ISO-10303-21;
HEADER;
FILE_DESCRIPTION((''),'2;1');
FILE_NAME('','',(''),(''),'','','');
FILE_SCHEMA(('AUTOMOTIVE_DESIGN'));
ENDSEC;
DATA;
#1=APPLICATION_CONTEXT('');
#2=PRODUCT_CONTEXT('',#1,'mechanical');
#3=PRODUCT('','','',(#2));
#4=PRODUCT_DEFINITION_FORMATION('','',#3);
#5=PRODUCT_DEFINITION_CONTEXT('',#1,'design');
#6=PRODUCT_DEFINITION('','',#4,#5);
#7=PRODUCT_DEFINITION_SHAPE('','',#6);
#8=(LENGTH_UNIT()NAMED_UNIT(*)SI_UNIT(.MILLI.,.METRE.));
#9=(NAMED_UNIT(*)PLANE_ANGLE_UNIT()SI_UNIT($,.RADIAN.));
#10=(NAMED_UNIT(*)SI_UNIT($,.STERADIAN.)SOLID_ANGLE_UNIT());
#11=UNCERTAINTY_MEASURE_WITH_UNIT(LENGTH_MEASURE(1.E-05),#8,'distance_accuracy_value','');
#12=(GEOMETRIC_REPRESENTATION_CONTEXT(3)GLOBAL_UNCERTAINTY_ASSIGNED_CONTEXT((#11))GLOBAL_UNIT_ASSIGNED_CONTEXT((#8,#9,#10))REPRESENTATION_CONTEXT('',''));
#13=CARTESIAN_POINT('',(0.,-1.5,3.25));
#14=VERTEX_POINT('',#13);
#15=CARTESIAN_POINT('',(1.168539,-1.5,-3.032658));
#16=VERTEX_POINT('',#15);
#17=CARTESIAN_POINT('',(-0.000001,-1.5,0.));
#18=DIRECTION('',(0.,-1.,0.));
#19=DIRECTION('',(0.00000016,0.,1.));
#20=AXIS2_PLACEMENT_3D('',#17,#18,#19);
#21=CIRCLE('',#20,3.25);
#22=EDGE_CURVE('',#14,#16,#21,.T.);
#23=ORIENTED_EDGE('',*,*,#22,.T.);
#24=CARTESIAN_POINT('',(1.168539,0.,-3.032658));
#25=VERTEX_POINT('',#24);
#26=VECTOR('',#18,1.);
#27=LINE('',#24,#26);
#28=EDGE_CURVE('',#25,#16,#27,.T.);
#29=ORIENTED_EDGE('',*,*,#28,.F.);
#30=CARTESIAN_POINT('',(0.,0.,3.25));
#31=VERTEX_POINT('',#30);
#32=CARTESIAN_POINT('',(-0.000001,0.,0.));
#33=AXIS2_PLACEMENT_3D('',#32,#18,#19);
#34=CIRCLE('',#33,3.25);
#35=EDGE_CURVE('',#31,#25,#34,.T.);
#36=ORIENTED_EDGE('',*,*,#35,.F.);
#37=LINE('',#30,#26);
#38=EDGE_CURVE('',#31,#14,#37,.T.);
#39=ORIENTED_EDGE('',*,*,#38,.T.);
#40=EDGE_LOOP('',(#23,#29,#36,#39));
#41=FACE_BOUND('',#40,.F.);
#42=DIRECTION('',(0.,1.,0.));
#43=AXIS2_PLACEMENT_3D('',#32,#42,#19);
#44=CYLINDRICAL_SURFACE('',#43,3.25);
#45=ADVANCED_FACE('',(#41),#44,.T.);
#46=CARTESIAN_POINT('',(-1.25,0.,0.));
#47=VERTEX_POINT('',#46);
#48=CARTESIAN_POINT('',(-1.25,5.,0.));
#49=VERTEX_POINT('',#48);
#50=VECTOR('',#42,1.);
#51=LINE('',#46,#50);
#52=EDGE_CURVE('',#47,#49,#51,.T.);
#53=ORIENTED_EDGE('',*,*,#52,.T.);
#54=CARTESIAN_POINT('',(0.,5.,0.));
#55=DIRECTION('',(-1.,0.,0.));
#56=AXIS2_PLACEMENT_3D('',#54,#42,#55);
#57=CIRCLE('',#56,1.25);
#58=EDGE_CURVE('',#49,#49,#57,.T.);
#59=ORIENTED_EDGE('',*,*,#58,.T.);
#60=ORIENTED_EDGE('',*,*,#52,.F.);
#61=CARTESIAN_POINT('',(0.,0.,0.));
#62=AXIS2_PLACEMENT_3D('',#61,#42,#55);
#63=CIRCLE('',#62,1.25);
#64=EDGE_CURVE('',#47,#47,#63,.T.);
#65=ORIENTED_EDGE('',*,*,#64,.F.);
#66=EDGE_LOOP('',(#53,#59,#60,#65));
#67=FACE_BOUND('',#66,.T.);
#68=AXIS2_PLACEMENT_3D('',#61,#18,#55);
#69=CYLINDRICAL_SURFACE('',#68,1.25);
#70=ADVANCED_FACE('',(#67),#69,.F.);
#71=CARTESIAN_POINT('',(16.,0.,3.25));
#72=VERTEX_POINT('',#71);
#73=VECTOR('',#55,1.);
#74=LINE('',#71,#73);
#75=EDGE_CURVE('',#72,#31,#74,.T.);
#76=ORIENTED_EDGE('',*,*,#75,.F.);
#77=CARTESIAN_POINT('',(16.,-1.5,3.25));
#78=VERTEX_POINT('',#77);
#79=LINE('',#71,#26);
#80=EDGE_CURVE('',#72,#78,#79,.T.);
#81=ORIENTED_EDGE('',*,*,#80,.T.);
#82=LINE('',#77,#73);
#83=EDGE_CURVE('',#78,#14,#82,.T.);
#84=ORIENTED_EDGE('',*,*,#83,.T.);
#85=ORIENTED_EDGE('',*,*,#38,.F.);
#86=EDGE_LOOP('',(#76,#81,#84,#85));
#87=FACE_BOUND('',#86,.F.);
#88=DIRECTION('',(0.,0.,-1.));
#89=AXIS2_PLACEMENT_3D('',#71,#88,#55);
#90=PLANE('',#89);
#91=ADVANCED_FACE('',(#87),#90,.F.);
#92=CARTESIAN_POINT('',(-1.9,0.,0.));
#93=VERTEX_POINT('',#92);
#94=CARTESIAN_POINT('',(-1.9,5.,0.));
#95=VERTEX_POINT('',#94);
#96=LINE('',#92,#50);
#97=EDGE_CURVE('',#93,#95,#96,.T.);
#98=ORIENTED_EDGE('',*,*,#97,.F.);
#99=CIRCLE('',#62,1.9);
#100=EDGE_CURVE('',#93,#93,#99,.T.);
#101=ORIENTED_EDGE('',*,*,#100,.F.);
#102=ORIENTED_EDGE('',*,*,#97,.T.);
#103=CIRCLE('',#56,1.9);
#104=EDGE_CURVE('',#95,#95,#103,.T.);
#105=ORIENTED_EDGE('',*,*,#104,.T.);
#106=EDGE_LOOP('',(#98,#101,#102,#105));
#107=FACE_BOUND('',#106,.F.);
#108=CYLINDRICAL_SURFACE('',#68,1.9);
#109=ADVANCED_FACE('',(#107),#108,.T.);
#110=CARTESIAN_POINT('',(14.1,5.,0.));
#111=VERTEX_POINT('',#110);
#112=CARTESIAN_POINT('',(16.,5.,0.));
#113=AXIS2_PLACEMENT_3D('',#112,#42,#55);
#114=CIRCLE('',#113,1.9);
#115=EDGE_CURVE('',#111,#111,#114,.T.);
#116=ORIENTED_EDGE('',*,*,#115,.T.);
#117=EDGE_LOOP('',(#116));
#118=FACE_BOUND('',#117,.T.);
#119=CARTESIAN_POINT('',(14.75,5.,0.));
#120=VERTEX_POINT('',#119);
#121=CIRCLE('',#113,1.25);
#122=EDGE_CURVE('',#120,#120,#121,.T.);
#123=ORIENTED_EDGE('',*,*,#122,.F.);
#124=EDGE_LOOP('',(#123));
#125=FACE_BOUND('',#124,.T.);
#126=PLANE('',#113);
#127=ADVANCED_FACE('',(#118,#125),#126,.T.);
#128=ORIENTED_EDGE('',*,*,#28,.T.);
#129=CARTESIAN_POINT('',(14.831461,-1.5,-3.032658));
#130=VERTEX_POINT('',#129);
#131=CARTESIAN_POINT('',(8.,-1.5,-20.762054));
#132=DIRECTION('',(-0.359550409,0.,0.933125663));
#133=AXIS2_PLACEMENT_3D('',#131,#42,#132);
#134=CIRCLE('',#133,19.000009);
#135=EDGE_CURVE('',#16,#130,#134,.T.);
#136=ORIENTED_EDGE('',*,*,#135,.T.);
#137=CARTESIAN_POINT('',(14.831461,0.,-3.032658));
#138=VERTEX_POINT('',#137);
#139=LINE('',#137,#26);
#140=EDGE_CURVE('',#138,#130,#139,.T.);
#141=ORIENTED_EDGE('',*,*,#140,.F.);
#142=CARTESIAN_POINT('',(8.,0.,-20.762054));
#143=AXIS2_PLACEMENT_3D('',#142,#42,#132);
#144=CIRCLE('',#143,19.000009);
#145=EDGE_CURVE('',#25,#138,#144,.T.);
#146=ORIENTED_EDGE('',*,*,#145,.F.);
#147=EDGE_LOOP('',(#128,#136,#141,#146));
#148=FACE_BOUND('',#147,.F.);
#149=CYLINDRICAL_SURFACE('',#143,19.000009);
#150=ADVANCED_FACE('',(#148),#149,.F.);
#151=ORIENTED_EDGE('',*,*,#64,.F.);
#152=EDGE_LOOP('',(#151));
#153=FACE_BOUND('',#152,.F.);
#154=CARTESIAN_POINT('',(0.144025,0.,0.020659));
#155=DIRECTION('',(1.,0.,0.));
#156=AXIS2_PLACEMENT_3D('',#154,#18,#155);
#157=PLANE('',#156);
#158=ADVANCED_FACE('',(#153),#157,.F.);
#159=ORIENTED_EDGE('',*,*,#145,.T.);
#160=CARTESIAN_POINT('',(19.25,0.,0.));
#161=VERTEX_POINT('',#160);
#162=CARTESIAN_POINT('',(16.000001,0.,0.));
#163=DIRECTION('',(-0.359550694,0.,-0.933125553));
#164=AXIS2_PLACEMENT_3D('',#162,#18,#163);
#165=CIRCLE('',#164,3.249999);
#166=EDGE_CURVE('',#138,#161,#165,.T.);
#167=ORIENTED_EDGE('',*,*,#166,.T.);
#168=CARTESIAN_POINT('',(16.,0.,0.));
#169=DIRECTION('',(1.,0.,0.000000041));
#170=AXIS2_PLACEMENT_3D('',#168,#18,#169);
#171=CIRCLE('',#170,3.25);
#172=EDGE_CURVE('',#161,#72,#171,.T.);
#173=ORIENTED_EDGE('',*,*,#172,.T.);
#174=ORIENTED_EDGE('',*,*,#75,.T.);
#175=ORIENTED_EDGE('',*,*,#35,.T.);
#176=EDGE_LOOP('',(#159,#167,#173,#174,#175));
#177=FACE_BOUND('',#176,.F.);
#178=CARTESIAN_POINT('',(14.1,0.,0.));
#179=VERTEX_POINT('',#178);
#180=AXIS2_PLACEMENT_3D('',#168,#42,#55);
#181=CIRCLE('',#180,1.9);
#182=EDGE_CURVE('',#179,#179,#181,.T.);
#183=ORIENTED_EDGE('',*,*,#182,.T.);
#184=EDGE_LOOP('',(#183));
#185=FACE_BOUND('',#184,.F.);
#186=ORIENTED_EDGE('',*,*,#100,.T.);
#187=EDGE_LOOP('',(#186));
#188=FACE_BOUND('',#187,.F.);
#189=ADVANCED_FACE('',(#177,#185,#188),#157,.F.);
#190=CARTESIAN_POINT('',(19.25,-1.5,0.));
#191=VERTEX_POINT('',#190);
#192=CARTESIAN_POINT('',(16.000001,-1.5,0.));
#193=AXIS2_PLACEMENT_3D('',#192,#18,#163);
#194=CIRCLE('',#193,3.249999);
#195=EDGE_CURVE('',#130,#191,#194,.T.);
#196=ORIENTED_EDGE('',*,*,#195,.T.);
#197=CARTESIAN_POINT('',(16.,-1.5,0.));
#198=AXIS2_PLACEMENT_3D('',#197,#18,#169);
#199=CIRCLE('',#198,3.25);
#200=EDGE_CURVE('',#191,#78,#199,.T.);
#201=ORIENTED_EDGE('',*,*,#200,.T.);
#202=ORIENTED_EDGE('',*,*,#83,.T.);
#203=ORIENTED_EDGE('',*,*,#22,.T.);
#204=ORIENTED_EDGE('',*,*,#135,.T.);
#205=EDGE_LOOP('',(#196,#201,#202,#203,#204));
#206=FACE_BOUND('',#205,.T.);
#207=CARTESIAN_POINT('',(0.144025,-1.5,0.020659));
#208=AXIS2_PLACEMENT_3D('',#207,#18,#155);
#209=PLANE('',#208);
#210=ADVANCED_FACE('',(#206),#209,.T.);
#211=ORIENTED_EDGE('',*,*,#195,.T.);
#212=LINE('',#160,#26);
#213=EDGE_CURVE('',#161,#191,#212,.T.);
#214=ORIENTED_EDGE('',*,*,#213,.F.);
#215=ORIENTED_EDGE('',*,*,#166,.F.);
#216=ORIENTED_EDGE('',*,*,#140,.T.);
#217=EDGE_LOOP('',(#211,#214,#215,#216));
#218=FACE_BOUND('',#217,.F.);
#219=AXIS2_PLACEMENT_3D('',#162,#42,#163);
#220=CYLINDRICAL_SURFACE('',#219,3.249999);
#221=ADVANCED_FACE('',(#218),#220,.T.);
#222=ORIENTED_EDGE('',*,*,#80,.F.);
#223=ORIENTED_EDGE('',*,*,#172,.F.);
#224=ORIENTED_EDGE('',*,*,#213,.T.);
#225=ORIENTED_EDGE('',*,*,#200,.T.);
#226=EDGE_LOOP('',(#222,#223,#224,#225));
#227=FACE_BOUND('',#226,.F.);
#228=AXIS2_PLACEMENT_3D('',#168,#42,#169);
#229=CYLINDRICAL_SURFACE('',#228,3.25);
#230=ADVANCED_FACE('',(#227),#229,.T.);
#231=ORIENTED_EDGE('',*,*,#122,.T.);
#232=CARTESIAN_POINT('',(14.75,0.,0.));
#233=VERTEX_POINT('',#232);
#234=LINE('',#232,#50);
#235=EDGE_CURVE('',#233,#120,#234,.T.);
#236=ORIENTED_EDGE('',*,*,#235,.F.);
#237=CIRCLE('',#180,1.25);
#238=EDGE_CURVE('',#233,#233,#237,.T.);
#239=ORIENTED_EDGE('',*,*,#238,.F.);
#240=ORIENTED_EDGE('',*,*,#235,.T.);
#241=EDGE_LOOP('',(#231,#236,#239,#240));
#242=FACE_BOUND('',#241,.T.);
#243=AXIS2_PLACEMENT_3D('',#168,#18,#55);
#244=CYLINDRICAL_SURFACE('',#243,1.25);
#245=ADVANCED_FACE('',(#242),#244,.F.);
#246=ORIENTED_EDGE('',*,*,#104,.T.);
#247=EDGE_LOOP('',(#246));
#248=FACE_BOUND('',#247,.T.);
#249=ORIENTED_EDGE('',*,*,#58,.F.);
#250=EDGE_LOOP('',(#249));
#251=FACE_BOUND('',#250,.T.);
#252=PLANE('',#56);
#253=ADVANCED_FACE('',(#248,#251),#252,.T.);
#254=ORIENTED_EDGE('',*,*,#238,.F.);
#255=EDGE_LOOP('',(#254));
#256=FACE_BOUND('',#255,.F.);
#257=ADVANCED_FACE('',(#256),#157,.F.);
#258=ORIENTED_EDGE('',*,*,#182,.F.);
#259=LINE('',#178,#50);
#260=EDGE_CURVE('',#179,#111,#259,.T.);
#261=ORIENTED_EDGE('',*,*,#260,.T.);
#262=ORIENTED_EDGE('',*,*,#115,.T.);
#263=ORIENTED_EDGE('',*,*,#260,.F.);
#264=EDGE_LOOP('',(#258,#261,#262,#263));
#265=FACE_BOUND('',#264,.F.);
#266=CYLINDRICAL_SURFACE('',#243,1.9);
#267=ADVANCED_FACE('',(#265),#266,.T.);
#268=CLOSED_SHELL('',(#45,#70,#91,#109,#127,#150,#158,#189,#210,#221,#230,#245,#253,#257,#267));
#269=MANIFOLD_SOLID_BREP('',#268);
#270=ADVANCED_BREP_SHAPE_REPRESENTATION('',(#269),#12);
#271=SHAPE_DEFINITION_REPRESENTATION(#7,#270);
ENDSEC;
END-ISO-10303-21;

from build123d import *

# Parameters (mm, degrees)
F1_DEPTH = 1.5
F2_R     = 1.9
F2_R_2   = 1.25
F3_DEPTH = 5


with BuildPart() as f1:
    # F0 (on Front) → F1 (new body)
    with BuildSketch(Plane.XZ):
        with BuildLine():
            ThreePointArc((1.168539, -3.032658), (2.679576, -1.839123), (3.25, 0))
            ThreePointArc((3.25, 0), (2.298097, 2.298097), (0, 3.25))
            ThreePointArc((0, 3.25), (-3.195203, -0.59429), (1.168539, -3.032658))
        make_face()
        with BuildLine():
            ThreePointArc((0, 3.25), (2.298097, 2.298097), (3.25, 0))
            ThreePointArc((3.25, 0), (2.679576, -1.839123), (1.168539, -3.032658))
            ThreePointArc((1.168539, -3.032658), (8, -1.762045), (14.831461, -3.032658))
            ThreePointArc((14.831461, -3.032658), (12.804797, 0.59429), (16, 3.25))
            Line((16, 3.25), (0, 3.25))
        make_face()
        with BuildLine():
            ThreePointArc((19.25, 0), (18.298097, 2.298097), (16, 3.25))
            ThreePointArc((16, 3.25), (12.804797, 0.59429), (14.831461, -3.032658))
            ThreePointArc((14.831461, -3.032658), (17.839123, -2.679576), (19.25, 0))
        make_face()
    extrude(amount=F1_DEPTH)

    # F2 (on face) → F3 (join)
    with BuildSketch(Plane(origin=(0, 0, 0), x_dir=(-1, 0, 0), z_dir=(0, 1, 0))):
        with Locations((-16, 0)):
            Circle(F2_R)
        with Locations((-16, 0)):
            Circle(F2_R_2, mode=Mode.SUBTRACT)
        Circle(F2_R)
        Circle(F2_R_2, mode=Mode.SUBTRACT)
    extrude(amount=F3_DEPTH)


solid = f1.part
